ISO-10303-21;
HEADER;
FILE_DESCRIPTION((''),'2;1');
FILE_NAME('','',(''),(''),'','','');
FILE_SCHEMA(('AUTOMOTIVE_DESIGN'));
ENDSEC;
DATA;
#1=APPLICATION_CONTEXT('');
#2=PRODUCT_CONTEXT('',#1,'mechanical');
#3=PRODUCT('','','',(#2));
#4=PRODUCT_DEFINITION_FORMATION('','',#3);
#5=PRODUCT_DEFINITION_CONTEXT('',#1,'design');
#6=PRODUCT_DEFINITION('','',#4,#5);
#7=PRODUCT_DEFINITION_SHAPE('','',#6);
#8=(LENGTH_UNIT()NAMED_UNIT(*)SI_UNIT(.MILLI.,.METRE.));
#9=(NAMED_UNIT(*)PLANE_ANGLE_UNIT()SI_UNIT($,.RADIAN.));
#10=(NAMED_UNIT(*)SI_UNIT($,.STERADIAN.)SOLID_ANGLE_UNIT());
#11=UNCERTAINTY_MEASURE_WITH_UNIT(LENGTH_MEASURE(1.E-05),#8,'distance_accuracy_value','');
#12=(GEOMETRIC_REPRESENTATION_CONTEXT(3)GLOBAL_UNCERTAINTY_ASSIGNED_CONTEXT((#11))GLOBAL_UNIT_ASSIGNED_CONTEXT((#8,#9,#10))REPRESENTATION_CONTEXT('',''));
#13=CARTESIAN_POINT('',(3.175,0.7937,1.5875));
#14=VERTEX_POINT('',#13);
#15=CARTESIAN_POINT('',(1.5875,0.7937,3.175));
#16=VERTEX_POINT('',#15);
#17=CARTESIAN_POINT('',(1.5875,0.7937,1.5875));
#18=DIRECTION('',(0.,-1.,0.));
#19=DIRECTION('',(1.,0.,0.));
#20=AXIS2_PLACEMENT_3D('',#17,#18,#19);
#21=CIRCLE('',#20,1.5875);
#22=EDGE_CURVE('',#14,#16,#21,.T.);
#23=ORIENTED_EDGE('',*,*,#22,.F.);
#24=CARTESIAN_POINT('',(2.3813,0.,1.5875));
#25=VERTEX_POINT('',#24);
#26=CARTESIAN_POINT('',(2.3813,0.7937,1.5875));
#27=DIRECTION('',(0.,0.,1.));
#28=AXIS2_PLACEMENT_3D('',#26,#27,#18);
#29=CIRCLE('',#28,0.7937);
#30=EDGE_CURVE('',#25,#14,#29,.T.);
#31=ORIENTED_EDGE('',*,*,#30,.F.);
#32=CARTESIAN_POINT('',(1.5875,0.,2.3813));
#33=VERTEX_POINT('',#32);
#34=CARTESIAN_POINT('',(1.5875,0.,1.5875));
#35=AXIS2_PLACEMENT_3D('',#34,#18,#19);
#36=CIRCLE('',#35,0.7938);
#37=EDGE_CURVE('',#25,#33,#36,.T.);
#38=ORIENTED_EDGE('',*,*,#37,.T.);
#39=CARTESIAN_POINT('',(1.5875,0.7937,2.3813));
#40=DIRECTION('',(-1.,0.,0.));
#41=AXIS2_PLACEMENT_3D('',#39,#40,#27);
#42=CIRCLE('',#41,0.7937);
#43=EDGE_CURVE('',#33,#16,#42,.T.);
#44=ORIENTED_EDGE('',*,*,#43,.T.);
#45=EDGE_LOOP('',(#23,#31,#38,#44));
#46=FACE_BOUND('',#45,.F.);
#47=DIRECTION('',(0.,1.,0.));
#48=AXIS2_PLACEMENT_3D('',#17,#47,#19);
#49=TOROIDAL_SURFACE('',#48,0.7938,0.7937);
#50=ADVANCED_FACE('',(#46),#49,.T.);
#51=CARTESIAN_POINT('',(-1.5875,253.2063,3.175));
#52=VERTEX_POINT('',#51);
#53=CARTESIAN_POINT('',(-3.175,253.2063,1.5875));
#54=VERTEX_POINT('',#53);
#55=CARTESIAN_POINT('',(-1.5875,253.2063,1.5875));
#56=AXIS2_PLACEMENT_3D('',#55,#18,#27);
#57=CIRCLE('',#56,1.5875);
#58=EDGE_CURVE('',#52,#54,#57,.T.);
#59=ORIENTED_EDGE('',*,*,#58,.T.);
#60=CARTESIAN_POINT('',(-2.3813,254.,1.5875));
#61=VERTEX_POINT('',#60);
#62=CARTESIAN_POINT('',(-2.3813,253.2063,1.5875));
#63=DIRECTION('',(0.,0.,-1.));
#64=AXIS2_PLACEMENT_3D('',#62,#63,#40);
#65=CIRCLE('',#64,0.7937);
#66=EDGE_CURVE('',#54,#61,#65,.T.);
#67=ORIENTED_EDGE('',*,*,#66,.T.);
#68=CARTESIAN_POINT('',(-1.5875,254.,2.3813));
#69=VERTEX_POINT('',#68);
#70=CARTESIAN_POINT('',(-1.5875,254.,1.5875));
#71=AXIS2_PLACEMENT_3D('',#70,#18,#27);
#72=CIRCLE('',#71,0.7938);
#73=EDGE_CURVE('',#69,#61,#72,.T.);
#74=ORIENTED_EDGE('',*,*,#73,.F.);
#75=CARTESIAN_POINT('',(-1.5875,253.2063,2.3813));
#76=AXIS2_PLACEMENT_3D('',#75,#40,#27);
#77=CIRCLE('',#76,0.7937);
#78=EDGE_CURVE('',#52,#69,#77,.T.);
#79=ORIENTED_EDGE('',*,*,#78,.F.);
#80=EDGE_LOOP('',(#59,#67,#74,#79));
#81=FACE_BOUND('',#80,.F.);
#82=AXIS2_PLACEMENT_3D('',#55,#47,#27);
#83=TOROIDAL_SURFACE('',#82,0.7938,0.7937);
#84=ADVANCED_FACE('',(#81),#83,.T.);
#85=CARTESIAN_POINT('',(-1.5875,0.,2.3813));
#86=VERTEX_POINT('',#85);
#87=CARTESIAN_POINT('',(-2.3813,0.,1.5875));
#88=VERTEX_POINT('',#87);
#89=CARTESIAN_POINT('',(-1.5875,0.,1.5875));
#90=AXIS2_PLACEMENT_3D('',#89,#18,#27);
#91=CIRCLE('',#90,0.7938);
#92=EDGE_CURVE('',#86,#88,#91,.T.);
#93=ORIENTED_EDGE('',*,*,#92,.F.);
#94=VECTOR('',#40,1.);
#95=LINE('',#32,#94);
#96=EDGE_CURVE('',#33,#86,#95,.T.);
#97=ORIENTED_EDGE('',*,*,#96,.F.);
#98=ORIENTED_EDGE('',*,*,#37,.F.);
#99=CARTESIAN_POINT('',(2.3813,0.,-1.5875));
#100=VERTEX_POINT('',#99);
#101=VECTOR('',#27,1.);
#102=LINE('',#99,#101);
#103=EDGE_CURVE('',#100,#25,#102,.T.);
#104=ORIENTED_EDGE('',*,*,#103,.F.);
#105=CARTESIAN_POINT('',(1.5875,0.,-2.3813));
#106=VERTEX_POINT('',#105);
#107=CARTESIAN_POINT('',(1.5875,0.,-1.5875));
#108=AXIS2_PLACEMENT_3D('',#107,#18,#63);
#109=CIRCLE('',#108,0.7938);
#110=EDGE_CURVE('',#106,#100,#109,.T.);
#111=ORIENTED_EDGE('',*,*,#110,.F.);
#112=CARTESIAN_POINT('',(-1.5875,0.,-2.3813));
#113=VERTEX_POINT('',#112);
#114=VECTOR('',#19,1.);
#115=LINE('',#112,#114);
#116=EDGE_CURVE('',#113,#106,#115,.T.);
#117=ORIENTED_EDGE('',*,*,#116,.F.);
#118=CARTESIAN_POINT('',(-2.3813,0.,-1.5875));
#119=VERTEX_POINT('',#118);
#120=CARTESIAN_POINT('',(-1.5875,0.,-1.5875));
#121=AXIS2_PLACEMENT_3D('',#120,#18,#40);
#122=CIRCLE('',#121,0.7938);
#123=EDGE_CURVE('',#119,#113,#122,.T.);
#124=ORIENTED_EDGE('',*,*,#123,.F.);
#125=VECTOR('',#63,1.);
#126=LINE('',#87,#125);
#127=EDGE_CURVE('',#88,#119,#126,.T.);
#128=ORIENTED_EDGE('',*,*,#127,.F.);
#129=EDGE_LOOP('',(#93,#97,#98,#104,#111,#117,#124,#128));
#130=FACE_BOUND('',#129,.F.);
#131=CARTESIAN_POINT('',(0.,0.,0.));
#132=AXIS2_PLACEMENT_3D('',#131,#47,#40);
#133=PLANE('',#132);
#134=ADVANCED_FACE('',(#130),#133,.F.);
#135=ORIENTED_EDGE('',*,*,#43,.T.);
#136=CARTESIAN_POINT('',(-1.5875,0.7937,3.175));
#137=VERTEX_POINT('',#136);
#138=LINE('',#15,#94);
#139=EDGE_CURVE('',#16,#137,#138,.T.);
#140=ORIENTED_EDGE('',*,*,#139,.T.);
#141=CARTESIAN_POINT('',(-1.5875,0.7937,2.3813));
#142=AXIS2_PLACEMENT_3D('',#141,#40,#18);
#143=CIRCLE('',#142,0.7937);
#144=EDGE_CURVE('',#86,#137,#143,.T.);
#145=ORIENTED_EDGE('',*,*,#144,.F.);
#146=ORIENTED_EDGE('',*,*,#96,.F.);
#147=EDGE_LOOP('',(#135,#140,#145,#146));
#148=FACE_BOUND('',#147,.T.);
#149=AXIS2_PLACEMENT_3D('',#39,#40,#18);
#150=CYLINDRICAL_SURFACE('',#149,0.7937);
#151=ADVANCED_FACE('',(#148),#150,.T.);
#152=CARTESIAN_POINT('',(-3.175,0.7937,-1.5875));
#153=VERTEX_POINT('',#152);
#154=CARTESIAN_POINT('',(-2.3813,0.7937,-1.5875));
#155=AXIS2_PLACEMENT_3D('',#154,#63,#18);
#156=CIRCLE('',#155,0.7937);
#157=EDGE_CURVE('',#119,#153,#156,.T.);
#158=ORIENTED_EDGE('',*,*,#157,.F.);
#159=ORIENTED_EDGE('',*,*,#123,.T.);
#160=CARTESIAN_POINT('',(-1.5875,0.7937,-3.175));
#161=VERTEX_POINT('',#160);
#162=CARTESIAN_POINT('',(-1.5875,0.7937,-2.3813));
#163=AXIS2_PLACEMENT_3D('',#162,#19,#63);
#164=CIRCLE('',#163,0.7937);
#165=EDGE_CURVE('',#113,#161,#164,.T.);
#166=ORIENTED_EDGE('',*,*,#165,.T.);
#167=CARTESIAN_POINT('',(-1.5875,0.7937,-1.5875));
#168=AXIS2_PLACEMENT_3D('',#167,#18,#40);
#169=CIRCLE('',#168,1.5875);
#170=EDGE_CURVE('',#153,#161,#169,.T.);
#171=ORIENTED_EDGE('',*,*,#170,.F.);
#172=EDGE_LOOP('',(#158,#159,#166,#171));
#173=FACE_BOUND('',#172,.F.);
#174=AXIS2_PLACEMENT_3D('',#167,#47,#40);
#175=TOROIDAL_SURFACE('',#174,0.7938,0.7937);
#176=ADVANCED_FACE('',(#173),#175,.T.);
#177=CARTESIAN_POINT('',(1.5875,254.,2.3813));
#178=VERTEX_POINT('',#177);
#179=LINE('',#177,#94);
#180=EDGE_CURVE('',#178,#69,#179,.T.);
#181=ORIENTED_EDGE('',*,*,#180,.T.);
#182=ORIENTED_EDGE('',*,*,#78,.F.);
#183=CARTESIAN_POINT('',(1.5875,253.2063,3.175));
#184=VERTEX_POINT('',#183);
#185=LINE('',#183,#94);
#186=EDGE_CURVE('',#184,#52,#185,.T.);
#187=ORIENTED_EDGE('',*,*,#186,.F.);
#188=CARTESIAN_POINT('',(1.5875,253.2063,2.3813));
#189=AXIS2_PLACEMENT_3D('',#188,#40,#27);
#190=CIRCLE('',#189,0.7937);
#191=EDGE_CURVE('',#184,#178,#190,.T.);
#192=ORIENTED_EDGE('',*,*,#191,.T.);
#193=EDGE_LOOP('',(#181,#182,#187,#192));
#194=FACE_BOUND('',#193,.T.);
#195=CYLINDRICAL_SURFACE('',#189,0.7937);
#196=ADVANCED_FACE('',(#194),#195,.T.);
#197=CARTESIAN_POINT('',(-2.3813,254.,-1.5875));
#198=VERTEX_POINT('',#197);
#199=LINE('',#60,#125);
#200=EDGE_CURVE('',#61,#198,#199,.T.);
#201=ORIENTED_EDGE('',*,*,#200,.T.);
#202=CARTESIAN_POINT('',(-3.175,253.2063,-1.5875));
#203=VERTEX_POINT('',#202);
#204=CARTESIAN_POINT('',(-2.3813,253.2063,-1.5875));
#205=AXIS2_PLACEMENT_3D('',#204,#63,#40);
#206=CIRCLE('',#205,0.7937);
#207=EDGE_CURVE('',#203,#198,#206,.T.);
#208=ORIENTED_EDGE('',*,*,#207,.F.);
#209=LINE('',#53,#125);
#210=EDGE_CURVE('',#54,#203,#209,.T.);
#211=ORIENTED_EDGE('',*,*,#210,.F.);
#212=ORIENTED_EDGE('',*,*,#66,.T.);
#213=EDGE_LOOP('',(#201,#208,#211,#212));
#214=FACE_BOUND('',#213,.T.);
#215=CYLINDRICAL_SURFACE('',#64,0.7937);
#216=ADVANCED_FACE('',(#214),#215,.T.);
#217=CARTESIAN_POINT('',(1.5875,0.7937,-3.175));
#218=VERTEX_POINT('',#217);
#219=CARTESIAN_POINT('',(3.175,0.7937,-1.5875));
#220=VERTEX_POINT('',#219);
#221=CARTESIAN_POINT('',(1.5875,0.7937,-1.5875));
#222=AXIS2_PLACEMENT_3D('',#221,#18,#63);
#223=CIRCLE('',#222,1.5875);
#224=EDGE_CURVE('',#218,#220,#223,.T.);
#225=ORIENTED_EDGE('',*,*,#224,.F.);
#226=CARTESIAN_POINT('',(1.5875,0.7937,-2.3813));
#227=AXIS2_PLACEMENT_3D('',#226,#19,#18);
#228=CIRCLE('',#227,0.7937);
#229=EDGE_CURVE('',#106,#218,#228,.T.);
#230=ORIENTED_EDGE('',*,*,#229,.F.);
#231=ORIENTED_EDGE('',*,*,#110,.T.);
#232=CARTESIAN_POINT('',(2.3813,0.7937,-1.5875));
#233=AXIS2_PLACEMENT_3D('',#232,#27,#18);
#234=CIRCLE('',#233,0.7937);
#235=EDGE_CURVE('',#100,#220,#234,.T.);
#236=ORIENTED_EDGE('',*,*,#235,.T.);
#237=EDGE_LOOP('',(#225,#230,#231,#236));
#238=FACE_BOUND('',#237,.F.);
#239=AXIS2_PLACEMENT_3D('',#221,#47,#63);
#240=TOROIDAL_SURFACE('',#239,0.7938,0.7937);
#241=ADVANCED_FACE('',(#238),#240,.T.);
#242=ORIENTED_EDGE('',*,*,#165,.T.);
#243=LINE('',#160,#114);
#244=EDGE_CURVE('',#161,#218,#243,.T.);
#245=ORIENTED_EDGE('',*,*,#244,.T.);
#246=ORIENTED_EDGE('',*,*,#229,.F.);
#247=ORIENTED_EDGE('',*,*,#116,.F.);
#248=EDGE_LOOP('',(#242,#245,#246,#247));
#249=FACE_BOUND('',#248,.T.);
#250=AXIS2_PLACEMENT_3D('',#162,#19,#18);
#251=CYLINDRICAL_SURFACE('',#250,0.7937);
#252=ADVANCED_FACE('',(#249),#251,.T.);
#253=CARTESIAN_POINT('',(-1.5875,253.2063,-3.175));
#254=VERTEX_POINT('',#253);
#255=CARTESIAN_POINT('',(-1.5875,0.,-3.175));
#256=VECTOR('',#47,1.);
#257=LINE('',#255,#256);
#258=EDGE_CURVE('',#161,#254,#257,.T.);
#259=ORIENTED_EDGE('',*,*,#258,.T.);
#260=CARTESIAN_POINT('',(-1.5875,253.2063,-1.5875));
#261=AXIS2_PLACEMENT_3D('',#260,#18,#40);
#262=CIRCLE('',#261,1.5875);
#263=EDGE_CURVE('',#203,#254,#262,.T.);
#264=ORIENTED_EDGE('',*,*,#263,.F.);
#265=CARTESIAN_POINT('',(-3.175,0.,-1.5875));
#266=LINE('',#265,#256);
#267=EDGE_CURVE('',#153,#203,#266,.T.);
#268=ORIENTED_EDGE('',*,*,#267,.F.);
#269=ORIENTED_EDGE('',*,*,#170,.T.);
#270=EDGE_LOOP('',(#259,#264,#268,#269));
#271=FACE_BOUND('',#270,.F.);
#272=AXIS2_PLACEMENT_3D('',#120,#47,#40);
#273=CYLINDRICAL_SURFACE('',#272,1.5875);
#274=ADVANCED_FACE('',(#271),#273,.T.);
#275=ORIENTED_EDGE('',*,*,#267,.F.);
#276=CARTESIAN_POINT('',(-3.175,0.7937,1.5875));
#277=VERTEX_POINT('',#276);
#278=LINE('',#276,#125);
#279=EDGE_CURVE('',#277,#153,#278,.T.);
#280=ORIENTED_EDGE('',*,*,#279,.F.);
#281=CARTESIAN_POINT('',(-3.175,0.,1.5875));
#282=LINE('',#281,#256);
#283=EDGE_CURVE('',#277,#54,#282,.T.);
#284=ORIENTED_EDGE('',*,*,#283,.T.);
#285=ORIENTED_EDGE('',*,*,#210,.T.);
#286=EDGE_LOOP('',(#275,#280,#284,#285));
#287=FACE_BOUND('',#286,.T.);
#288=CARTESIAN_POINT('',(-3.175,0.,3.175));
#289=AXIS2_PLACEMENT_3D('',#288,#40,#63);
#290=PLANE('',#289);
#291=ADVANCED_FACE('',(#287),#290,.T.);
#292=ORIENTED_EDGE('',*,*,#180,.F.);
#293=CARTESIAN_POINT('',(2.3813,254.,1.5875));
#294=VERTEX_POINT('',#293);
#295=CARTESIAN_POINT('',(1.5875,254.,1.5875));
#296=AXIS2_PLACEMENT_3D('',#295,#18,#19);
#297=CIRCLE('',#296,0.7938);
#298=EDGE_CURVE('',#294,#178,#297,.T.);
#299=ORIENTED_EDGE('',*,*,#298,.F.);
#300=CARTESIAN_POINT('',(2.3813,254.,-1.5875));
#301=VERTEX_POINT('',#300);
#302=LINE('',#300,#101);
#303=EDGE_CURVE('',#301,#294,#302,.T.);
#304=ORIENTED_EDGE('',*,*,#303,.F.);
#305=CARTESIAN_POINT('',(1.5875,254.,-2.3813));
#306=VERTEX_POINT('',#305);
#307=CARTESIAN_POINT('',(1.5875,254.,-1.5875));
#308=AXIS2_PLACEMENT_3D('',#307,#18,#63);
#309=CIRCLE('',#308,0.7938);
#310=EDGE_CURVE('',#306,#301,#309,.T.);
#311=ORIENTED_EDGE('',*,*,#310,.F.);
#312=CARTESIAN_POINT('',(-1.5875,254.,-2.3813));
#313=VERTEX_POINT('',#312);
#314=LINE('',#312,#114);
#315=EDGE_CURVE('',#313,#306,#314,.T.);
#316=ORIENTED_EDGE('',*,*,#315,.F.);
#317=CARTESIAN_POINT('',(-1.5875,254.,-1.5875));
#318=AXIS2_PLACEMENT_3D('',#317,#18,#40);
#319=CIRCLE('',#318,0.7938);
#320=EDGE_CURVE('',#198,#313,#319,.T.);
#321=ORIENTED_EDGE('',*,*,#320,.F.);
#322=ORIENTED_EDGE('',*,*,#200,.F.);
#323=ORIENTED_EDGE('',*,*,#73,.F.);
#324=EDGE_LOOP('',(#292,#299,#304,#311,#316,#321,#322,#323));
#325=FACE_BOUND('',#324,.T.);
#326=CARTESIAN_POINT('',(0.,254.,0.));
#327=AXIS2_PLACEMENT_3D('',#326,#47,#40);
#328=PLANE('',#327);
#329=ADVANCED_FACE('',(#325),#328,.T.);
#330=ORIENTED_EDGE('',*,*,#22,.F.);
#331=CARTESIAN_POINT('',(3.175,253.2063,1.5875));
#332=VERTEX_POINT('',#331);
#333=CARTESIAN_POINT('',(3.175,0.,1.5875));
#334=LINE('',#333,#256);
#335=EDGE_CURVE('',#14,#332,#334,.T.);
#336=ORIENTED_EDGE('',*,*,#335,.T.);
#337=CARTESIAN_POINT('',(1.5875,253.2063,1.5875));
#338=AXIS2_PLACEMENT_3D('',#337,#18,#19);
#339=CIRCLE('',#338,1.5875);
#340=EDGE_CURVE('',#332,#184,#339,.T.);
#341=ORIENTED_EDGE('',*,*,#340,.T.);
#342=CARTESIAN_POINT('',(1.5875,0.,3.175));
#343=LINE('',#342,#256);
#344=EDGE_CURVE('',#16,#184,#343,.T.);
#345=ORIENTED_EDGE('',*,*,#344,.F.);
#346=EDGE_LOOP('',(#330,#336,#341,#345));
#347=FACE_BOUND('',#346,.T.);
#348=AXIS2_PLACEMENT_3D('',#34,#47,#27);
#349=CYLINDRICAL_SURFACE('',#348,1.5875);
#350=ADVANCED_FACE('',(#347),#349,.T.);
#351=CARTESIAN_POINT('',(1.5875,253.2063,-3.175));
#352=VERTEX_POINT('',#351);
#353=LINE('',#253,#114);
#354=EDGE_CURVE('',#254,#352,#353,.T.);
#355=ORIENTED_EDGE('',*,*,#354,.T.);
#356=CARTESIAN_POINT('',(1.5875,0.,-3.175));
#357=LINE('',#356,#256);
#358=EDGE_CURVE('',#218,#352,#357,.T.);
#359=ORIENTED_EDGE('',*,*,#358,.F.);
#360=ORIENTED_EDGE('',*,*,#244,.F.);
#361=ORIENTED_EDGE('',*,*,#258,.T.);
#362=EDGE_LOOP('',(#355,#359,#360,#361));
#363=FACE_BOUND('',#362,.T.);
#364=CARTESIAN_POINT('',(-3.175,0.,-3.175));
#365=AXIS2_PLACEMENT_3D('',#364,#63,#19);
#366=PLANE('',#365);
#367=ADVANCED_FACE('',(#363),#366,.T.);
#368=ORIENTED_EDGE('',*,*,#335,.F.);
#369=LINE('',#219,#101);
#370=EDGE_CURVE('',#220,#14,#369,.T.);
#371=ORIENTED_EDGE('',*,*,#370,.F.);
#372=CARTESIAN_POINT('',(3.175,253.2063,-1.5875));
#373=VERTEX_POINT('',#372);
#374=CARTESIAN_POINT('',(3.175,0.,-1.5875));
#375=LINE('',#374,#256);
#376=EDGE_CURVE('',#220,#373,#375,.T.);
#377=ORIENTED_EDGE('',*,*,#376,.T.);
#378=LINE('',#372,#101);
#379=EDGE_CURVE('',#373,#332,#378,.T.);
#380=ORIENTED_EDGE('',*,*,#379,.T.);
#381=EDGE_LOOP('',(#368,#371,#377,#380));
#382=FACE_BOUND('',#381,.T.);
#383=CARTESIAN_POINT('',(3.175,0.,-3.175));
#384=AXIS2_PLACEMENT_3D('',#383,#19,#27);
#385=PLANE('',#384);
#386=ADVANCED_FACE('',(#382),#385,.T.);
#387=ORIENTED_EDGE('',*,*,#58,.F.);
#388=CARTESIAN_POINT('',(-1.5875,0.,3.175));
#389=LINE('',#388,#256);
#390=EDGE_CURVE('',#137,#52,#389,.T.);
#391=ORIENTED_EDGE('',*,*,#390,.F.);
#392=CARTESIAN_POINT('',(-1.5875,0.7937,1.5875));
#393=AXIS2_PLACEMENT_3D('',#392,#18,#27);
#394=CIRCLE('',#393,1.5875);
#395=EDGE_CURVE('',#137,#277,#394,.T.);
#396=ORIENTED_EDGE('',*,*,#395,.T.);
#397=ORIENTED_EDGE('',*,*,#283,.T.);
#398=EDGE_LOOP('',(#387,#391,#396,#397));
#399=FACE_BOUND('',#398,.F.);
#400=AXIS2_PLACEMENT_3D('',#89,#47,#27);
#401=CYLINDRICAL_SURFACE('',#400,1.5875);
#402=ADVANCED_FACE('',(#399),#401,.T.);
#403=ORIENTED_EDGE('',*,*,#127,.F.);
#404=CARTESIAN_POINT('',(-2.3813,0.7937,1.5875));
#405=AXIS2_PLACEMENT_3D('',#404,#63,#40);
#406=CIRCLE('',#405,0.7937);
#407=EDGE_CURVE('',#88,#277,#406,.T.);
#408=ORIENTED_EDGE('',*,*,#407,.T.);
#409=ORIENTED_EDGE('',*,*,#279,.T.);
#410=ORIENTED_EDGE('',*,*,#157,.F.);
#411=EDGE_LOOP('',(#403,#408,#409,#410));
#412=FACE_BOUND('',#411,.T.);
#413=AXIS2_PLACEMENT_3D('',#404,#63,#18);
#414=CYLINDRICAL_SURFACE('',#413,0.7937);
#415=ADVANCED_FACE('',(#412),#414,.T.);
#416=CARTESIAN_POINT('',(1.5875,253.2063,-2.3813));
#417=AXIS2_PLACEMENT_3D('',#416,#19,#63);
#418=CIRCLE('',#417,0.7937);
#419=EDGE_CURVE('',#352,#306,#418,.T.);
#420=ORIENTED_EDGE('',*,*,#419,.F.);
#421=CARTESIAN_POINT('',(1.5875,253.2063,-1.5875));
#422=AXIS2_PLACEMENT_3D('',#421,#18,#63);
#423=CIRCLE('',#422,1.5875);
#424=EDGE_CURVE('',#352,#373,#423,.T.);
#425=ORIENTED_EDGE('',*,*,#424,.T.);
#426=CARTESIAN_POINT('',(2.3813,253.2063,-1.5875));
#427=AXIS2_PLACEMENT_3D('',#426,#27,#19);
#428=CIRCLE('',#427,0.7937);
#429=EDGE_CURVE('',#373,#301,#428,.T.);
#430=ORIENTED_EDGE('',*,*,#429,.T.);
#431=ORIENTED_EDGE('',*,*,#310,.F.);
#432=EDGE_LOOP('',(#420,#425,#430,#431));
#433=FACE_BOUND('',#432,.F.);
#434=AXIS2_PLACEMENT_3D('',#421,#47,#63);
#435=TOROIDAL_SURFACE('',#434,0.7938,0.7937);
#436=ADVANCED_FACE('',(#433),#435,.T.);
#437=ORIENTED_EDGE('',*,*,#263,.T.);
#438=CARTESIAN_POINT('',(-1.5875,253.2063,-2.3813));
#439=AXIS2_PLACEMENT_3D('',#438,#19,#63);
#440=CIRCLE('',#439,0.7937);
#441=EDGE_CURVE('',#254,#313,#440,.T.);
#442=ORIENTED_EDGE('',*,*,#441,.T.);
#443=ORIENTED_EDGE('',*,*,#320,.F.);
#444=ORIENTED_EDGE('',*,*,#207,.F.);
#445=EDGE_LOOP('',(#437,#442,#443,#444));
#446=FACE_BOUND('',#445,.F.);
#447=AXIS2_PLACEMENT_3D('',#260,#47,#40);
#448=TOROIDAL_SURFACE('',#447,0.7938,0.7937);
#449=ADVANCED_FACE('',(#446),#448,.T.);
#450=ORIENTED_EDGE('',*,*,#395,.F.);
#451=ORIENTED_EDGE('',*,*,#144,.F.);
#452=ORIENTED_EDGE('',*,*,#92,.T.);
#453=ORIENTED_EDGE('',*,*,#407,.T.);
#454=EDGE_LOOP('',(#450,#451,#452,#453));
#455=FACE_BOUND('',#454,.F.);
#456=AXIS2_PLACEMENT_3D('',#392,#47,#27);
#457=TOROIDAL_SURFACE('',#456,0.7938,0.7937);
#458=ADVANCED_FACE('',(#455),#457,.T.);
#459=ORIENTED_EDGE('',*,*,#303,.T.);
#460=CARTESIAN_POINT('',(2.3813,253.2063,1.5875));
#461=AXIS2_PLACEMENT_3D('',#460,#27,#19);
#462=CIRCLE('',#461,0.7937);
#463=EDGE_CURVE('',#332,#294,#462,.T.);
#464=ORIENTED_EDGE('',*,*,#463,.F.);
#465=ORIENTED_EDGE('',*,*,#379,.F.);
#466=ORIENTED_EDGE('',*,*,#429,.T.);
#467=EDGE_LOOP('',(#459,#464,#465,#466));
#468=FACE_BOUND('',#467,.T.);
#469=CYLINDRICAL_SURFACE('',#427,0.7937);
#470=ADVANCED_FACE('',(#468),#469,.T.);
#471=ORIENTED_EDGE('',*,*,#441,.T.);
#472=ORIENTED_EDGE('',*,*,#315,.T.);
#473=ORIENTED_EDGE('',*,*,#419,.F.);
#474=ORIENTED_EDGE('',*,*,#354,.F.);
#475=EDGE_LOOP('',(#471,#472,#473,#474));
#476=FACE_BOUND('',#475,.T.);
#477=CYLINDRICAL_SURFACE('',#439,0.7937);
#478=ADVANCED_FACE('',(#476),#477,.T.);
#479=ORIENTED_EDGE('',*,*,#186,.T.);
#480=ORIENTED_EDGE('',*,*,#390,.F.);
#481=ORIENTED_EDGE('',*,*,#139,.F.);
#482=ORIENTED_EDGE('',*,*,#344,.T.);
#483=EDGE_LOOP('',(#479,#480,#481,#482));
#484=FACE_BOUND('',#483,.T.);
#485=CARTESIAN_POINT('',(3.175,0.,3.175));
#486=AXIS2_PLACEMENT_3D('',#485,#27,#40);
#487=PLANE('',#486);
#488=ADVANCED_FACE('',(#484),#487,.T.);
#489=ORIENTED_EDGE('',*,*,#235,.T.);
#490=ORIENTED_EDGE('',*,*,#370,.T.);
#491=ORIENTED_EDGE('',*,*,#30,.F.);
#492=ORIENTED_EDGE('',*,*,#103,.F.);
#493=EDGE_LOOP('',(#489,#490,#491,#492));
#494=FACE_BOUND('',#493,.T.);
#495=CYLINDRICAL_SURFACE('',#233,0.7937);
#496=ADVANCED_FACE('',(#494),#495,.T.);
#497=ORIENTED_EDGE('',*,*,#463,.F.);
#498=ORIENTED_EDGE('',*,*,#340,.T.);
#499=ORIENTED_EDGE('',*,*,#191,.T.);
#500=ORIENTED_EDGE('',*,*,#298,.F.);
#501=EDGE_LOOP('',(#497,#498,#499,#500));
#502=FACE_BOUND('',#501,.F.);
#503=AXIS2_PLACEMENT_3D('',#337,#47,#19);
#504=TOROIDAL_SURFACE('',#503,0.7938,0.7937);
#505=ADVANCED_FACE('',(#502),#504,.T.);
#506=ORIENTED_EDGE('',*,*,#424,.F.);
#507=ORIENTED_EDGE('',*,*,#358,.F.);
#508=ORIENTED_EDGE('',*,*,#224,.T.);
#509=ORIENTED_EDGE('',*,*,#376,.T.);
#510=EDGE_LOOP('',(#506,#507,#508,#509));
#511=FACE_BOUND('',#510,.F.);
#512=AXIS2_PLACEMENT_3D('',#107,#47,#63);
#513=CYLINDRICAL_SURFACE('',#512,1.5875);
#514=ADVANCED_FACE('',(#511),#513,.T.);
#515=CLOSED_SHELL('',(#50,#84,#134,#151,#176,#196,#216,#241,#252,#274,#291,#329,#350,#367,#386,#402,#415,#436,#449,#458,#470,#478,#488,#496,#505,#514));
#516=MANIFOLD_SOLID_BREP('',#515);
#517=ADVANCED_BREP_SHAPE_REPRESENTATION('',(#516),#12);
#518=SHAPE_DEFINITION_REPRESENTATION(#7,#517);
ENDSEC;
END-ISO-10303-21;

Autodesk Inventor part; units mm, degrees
ref_plane "YZ Plane" through (0, 0, 0) normal (1, 0, 0) x (0, 1, 0)
ref_plane "XZ Plane" through (0, 0, 0) normal (0, 1, 0) x (-1, 0, 0)
ref_plane "XY Plane" through (0, 0, 0) normal (0, 0, 1) x (1, 0, 0)
sketch "Sketch1" plane through (0, 0, 0) normal (0, 1, 0) x (-1, 0, 0)
  line L0 (-3.175, 3.175) -> (3.175, 3.175)
  line L1 (3.175, 3.175) -> (3.175, -3.175)
  line L2 (3.175, -3.175) -> (-3.175, -3.175)
  line L3 (-3.175, -3.175) -> (-3.175, 3.175)
  line L4 (-3.175, 3.175) -> (3.175, -3.175) construction
  line L5 (3.175, 3.175) -> (-3.175, -3.175) construction
  point P0 (0, 0)
  dimension "d0" = 6.35
  dimension "d1" = 6.35
extrude "Extrusion1" add sketch "Sketch1" along normal blind 254
fillet "Fillet1" radius 1.5875 4 edges at (3.175, 127, 3.175) (-3.175, 127, -3.175) (-3.175, 127, 3.175) (3.175, 127, -3.175)
fillet "Fillet2" radius 0.7937 16 edges at (3.175, 0, 0) (2.71, 0, -2.71) (0, 0, -3.175) (-2.71, 0, -2.71) (-3.175, 0, 0) (-2.71, 0, 2.71) (0, 0, 3.175) (2.71, 0, 2.71) (0, 254, 3.175) (-2.71, 254, 2.71) (-3.175, 254, 0) (-2.71, 254, -2.71) (0, 254, -3.175) (2.71, 254, -2.71) (3.175, 254, 0) (2.71, 254, 2.71)
properties part number "10 inch hs shaft" material "Stainless Steel"
